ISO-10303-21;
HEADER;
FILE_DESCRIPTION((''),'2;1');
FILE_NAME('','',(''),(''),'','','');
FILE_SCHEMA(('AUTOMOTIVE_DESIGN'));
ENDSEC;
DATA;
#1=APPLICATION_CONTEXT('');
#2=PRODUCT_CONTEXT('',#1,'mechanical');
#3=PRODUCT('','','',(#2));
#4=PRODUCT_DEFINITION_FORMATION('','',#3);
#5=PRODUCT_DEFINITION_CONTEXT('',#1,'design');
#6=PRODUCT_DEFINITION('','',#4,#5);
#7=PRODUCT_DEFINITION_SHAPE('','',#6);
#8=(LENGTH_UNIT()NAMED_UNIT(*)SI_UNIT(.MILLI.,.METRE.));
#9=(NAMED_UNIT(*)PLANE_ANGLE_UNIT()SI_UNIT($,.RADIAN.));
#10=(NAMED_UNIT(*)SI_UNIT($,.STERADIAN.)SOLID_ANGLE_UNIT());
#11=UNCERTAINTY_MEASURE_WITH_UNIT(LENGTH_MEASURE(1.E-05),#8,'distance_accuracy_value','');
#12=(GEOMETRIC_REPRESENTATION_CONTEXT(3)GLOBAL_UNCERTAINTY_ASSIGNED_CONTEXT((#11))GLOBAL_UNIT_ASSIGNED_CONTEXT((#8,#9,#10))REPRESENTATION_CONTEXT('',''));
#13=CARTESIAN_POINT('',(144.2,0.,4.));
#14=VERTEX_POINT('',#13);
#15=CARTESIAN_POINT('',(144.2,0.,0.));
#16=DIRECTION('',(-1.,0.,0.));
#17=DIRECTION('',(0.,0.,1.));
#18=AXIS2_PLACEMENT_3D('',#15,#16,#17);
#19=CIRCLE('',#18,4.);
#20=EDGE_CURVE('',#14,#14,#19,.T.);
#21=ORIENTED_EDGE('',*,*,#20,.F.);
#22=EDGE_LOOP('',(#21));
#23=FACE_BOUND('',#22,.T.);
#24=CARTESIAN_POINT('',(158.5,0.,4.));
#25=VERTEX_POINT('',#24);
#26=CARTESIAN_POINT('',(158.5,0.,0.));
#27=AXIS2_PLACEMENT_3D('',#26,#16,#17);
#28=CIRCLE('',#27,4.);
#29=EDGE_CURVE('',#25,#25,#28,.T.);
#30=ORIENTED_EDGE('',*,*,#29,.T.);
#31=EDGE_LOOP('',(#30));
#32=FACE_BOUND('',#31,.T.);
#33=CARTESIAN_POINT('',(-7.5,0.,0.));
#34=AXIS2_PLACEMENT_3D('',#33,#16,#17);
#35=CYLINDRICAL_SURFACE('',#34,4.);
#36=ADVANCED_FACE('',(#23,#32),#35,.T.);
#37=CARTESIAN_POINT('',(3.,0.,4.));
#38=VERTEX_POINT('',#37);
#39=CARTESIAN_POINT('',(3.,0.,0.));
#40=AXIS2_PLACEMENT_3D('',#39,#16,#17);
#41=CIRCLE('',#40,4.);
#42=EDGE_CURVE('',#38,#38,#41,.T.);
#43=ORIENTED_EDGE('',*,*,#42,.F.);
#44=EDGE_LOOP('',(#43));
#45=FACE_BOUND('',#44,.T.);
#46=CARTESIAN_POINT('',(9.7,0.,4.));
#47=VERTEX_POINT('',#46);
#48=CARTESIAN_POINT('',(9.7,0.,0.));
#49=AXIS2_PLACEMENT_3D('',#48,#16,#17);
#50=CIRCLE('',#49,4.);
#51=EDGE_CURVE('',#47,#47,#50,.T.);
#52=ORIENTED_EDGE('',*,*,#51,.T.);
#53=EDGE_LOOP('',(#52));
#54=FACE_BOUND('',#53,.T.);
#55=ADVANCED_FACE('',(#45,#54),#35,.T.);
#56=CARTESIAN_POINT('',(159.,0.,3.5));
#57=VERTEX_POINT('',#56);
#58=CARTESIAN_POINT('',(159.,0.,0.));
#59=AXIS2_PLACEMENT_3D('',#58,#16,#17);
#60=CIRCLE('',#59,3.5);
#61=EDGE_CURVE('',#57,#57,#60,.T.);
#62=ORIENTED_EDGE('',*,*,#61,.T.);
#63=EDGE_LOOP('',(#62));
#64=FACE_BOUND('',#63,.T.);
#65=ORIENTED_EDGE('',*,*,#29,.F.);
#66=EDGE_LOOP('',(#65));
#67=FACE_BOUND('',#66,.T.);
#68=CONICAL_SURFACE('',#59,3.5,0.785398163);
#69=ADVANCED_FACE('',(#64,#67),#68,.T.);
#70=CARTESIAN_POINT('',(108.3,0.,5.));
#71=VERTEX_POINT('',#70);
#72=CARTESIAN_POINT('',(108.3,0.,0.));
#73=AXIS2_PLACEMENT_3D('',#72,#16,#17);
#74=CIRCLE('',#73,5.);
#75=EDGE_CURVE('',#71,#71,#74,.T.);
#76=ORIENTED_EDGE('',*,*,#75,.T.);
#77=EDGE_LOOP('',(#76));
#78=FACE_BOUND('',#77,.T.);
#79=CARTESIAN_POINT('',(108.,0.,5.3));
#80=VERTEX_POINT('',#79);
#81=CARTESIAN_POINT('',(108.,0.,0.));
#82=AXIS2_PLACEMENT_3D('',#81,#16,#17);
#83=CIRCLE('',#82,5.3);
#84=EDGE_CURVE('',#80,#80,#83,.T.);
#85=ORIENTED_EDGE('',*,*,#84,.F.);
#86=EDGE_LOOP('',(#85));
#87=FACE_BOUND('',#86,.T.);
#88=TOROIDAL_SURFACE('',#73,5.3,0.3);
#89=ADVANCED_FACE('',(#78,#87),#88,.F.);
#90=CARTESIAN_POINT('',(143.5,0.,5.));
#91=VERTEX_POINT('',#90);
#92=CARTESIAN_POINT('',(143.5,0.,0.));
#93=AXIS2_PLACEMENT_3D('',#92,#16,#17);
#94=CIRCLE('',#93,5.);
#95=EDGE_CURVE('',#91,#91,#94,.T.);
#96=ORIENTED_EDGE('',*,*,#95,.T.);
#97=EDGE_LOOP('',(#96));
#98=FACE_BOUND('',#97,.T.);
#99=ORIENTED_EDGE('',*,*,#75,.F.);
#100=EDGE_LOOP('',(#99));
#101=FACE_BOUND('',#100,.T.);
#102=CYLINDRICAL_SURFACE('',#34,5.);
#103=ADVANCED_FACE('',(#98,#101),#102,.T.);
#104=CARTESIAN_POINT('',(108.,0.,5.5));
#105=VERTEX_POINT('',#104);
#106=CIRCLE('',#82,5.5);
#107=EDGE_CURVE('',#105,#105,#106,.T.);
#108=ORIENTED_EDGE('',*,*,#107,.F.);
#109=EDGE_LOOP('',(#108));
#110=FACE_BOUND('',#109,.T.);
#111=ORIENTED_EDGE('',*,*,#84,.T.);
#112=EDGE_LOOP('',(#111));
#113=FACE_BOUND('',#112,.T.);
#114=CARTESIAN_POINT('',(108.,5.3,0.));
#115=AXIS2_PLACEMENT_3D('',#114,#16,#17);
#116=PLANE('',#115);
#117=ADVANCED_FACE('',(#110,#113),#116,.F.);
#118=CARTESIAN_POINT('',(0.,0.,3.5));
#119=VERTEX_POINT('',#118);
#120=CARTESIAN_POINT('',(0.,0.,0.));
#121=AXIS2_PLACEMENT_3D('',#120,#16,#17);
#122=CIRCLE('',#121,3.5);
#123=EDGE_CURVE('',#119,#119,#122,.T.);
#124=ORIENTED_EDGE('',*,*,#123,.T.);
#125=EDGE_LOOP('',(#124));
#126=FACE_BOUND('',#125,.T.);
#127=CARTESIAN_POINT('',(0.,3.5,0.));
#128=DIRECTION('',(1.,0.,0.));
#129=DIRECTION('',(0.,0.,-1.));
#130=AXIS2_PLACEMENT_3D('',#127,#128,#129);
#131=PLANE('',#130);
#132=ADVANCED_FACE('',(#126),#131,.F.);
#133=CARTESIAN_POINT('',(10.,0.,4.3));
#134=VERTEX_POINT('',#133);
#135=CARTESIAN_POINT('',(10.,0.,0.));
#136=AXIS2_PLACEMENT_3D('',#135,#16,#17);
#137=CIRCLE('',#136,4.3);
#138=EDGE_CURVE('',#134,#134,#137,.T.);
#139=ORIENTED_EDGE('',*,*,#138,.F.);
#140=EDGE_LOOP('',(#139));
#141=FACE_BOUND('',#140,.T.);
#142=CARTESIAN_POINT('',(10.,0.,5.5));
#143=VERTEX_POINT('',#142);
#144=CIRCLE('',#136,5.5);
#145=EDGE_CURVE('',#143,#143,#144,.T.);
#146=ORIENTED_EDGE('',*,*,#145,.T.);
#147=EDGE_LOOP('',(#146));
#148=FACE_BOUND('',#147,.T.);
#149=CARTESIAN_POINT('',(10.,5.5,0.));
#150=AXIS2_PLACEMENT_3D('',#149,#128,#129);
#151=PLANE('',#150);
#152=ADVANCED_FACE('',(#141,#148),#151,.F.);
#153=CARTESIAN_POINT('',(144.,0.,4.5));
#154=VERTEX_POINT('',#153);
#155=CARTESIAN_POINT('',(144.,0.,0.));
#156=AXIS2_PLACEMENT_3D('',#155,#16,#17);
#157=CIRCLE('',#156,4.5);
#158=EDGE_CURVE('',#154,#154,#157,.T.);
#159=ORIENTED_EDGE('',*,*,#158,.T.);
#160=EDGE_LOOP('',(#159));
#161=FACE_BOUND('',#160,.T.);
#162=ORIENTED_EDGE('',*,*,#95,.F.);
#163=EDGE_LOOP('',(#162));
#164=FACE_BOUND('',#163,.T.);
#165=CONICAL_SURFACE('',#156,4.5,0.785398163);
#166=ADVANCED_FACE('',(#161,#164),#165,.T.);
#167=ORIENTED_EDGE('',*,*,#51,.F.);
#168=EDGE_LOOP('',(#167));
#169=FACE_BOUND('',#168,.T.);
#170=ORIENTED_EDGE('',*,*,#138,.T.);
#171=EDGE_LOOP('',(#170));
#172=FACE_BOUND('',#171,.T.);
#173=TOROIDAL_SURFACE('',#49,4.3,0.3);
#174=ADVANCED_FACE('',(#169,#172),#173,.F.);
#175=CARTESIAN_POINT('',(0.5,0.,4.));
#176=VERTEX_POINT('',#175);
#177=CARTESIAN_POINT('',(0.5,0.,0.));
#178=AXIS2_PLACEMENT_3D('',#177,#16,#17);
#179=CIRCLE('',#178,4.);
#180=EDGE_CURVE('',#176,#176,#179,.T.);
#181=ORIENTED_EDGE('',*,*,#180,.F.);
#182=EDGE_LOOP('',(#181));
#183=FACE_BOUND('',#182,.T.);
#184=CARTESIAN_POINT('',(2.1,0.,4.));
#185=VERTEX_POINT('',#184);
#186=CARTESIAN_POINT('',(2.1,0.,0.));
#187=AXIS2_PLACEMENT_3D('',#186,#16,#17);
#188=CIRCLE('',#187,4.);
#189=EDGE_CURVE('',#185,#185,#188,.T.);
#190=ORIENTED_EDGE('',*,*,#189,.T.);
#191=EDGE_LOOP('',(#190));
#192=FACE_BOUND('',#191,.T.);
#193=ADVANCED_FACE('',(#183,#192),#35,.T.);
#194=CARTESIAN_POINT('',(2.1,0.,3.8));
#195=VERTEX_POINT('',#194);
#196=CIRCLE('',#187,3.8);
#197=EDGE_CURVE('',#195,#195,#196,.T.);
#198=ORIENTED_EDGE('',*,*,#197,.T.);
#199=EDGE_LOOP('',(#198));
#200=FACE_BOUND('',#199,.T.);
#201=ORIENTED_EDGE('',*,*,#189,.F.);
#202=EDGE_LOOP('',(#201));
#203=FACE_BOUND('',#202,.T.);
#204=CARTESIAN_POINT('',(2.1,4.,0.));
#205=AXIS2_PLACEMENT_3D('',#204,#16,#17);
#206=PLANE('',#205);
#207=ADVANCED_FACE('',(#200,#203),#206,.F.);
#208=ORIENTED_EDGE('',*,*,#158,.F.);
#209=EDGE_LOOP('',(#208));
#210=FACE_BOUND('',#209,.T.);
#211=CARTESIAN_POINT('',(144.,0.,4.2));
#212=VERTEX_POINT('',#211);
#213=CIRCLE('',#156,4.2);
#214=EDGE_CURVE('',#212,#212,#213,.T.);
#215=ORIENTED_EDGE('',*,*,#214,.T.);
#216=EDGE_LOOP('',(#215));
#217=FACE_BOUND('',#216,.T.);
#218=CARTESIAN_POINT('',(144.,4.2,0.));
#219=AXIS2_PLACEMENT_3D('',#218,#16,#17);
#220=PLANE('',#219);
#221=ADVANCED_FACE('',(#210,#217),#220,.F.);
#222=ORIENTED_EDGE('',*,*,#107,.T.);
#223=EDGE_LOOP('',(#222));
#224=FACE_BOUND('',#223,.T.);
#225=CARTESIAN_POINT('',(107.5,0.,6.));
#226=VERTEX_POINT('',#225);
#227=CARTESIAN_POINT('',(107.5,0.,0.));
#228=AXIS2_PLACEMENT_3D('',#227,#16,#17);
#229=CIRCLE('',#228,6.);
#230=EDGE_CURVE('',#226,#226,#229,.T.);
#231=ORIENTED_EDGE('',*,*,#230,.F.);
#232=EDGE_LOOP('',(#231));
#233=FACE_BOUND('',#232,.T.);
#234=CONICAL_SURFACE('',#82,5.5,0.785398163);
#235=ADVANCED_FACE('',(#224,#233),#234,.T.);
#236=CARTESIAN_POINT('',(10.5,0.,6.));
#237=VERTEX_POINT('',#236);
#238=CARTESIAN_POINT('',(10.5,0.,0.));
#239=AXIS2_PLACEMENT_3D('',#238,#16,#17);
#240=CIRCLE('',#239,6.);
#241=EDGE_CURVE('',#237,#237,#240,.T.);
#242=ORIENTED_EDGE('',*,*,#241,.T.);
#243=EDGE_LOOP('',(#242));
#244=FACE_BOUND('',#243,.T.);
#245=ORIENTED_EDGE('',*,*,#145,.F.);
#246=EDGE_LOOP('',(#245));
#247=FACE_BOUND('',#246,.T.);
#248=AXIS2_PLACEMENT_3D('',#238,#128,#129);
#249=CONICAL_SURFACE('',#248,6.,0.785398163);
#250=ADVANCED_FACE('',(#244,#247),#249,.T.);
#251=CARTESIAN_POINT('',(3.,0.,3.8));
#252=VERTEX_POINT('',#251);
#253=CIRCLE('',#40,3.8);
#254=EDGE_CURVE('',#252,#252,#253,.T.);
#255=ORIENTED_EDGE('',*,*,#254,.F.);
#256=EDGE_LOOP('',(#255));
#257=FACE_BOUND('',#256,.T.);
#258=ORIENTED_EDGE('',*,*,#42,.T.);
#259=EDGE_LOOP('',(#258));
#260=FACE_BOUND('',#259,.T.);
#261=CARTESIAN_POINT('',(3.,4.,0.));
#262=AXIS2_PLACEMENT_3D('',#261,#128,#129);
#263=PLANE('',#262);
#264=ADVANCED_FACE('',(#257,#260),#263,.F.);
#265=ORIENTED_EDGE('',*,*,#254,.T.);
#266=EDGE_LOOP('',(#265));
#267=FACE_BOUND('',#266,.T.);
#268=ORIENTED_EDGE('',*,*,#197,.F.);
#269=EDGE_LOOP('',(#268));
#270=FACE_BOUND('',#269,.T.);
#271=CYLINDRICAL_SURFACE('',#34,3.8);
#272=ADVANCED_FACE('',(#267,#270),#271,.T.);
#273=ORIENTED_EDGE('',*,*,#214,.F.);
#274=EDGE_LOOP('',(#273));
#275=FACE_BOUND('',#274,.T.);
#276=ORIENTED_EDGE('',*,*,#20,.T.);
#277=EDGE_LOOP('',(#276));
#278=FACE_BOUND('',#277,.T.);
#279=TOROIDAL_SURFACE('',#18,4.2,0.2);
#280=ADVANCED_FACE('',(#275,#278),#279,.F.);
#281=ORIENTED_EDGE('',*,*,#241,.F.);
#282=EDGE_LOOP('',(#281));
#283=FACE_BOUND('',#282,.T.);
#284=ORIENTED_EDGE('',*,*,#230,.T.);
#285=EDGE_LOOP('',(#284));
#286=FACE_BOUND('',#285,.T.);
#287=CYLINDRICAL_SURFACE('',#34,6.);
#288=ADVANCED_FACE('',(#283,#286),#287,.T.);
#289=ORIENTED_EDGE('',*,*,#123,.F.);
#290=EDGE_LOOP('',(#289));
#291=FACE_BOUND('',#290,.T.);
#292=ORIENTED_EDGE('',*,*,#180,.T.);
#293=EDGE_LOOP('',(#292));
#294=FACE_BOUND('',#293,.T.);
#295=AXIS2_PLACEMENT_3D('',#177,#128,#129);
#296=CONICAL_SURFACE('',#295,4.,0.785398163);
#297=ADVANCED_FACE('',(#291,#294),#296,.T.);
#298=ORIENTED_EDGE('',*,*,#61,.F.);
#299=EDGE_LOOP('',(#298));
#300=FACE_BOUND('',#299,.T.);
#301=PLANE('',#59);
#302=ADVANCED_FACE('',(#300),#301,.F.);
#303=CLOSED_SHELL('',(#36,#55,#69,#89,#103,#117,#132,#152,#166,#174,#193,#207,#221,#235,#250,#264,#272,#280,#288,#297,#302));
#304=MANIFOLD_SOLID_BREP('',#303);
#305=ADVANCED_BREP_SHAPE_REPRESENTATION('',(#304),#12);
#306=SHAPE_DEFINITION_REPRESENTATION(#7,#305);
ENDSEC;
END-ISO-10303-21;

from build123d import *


with BuildPart() as part:
    # Sketch1 → Revolve1 (revolve)
    with BuildSketch(Plane.XY):
        with BuildLine():
            Line((2.1, 4), (2.1, 3.8))
            Line((2.1, 3.8), (3, 3.8))
            Line((3, 3.8), (3, 4))
            Line((3, 4), (9.7, 4))
            ThreePointArc((9.7, 4), (9.912132034, 4.087867966), (10, 4.3))
            Line((10, 4.3), (10, 5.5))
            Line((10, 5.5), (10.5, 6))
            Line((10.5, 6), (107.5, 6))
            Line((107.5, 6), (108, 5.5))
            Line((108, 5.5), (108, 5.3))
            ThreePointArc((108, 5.3), (108.087867966, 5.087867966), (108.3, 5))
            Line((108.3, 5), (143.5, 5))
            Line((143.5, 5), (144, 4.5))
            Line((144, 4.5), (144, 4.2))
            ThreePointArc((144, 4.2), (144.058578644, 4.058578644), (144.2, 4))
            Line((144.2, 4), (158.5, 4))
            Line((158.5, 4), (159, 3.5))
            Line((159, 3.5), (159, 0))
            Line((159, 0), (0, 0))
            Line((0, 0), (0, 3.5))
            Line((0, 3.5), (0.5, 4))
            Line((0.5, 4), (2.1, 4))
        make_face()
    revolve(axis=Axis((-7.5, 0, 0), (1, 0, 0)))


solid = part.part
